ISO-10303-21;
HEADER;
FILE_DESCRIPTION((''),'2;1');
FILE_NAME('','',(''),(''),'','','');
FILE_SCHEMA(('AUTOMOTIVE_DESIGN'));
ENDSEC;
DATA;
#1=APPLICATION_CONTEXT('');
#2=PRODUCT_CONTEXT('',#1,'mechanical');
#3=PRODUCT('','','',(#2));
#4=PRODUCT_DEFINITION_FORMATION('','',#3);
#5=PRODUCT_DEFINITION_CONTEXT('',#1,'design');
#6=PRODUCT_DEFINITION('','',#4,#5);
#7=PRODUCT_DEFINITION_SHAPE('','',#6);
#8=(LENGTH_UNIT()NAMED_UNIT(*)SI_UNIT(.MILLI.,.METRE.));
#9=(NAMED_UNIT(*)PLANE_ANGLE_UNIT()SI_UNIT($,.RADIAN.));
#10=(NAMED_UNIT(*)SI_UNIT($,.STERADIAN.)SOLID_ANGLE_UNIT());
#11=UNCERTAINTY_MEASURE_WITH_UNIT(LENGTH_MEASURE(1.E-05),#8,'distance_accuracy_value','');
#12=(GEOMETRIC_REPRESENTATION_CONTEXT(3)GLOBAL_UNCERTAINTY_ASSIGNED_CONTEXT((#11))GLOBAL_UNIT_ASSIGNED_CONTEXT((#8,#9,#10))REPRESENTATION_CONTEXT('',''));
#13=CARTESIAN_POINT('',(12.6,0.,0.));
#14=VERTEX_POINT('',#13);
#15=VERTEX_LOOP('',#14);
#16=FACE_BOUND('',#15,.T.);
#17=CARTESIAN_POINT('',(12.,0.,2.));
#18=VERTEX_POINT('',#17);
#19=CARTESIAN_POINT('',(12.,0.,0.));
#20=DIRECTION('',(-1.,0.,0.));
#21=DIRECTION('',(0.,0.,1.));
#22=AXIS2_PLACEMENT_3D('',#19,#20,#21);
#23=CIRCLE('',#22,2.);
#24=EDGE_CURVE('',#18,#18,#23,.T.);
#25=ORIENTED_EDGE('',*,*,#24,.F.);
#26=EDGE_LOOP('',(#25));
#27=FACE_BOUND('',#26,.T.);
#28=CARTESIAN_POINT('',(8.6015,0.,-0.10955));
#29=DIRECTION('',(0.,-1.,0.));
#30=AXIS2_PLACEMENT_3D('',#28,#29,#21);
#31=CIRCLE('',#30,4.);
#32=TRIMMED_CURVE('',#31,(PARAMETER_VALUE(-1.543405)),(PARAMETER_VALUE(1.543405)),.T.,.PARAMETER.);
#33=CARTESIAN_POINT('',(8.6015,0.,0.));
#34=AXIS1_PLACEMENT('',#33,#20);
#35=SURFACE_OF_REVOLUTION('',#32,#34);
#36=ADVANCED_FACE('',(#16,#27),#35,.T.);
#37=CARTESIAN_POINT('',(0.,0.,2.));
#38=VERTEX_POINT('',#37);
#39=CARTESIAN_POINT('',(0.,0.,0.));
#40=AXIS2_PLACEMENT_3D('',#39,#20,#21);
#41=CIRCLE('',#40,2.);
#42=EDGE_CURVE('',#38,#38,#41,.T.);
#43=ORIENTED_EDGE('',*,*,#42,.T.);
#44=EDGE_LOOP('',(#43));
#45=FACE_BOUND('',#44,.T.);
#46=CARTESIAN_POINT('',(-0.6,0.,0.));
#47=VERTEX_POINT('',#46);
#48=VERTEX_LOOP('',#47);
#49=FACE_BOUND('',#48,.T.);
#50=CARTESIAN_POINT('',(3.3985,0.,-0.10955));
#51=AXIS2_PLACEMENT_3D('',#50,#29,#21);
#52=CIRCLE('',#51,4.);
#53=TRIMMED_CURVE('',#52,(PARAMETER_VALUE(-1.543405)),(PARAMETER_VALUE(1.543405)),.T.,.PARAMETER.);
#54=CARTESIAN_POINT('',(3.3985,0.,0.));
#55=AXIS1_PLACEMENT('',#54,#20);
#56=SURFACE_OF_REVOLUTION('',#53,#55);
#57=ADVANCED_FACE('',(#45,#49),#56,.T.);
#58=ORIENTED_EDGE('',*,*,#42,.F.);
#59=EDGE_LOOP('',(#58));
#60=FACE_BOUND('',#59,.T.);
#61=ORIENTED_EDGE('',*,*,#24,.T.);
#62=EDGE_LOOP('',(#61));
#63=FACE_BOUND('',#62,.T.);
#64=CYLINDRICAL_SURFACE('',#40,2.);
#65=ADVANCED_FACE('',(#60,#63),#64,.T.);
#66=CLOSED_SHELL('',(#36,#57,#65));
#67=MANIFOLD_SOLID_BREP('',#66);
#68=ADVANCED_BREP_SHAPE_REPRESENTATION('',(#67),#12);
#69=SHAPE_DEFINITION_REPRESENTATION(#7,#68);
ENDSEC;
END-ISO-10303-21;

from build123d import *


with BuildPart() as part:
    # Эскиз1 → Повернуть2 (revolve)
    with BuildSketch(Plane.XY):
        with BuildLine():
            Line((0, 2), (12, 2))
            ThreePointArc((12, 2), (12.432805569, 1.039841671), (12.6, 0))
            Line((12.6, 0), (-0.6, 0))
            ThreePointArc((-0.6, 0), (-0.432805569, 1.039841671), (0, 2))
        make_face()
    revolve(axis=Axis((0, 0, 0), (1, 0, 0)))


solid = part.part
